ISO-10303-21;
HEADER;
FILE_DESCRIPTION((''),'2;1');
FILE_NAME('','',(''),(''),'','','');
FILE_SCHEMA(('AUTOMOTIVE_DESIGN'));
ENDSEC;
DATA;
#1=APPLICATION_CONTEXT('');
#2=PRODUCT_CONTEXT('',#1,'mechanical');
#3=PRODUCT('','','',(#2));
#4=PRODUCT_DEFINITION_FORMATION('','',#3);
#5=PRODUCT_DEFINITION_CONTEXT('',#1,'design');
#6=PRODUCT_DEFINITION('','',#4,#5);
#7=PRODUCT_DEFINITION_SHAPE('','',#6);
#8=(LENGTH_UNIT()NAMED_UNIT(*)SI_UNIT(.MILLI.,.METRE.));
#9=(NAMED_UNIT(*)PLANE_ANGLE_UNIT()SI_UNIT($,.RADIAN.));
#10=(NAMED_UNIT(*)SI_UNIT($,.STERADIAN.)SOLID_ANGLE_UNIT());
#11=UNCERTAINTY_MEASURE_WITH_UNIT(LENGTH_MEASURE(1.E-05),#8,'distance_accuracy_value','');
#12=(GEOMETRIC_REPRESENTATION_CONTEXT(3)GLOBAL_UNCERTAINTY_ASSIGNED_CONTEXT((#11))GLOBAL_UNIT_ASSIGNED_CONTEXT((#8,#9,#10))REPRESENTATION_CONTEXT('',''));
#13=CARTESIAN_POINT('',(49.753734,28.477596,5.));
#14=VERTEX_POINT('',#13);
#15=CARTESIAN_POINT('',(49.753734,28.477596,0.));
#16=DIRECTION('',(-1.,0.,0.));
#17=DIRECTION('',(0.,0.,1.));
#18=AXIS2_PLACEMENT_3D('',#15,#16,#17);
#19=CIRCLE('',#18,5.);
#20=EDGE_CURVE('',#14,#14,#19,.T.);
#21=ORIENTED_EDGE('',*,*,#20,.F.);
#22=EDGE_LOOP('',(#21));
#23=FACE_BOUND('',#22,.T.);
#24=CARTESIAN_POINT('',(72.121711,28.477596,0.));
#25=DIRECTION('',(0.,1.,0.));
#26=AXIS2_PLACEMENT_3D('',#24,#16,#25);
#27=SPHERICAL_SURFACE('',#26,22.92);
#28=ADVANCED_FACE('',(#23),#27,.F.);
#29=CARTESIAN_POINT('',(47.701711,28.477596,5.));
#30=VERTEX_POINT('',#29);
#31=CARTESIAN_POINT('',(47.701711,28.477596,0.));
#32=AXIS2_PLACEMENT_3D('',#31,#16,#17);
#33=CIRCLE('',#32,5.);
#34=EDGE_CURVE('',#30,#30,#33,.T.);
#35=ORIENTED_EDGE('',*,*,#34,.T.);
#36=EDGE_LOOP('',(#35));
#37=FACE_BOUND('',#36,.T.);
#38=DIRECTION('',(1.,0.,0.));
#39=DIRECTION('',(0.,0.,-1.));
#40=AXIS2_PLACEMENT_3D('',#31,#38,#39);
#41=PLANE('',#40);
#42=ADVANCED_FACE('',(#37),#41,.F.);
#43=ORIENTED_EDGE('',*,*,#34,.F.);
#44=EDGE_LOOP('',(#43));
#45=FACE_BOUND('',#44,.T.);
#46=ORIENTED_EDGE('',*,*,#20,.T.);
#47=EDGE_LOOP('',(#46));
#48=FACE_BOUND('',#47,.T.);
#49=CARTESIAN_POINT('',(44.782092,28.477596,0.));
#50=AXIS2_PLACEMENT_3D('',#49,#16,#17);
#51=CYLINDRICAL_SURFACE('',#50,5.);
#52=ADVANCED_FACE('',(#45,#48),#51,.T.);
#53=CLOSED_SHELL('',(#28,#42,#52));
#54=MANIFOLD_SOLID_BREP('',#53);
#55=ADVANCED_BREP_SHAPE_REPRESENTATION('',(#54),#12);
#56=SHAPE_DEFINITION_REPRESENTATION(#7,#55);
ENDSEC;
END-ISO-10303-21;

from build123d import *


with BuildPart() as part:
    # 草图1 → 旋转1 (revolve)
    with BuildSketch(Plane.XY):
        with BuildLine():
            Line((47.701711212, 28.477595635), (47.701711212, 33.477595635))
            Line((47.701711212, 33.477595635), (49.753734102, 33.477595635))
            ThreePointArc((49.753734102, 33.477595635), (49.340134935, 30.992785949), (49.201711212, 28.477595635))
            Line((49.201711212, 28.477595635), (47.701711212, 28.477595635))
        make_face()
    revolve(axis=Axis((44.782091903, 28.477595635, 0), (1, 0, 0)))


solid = part.part
